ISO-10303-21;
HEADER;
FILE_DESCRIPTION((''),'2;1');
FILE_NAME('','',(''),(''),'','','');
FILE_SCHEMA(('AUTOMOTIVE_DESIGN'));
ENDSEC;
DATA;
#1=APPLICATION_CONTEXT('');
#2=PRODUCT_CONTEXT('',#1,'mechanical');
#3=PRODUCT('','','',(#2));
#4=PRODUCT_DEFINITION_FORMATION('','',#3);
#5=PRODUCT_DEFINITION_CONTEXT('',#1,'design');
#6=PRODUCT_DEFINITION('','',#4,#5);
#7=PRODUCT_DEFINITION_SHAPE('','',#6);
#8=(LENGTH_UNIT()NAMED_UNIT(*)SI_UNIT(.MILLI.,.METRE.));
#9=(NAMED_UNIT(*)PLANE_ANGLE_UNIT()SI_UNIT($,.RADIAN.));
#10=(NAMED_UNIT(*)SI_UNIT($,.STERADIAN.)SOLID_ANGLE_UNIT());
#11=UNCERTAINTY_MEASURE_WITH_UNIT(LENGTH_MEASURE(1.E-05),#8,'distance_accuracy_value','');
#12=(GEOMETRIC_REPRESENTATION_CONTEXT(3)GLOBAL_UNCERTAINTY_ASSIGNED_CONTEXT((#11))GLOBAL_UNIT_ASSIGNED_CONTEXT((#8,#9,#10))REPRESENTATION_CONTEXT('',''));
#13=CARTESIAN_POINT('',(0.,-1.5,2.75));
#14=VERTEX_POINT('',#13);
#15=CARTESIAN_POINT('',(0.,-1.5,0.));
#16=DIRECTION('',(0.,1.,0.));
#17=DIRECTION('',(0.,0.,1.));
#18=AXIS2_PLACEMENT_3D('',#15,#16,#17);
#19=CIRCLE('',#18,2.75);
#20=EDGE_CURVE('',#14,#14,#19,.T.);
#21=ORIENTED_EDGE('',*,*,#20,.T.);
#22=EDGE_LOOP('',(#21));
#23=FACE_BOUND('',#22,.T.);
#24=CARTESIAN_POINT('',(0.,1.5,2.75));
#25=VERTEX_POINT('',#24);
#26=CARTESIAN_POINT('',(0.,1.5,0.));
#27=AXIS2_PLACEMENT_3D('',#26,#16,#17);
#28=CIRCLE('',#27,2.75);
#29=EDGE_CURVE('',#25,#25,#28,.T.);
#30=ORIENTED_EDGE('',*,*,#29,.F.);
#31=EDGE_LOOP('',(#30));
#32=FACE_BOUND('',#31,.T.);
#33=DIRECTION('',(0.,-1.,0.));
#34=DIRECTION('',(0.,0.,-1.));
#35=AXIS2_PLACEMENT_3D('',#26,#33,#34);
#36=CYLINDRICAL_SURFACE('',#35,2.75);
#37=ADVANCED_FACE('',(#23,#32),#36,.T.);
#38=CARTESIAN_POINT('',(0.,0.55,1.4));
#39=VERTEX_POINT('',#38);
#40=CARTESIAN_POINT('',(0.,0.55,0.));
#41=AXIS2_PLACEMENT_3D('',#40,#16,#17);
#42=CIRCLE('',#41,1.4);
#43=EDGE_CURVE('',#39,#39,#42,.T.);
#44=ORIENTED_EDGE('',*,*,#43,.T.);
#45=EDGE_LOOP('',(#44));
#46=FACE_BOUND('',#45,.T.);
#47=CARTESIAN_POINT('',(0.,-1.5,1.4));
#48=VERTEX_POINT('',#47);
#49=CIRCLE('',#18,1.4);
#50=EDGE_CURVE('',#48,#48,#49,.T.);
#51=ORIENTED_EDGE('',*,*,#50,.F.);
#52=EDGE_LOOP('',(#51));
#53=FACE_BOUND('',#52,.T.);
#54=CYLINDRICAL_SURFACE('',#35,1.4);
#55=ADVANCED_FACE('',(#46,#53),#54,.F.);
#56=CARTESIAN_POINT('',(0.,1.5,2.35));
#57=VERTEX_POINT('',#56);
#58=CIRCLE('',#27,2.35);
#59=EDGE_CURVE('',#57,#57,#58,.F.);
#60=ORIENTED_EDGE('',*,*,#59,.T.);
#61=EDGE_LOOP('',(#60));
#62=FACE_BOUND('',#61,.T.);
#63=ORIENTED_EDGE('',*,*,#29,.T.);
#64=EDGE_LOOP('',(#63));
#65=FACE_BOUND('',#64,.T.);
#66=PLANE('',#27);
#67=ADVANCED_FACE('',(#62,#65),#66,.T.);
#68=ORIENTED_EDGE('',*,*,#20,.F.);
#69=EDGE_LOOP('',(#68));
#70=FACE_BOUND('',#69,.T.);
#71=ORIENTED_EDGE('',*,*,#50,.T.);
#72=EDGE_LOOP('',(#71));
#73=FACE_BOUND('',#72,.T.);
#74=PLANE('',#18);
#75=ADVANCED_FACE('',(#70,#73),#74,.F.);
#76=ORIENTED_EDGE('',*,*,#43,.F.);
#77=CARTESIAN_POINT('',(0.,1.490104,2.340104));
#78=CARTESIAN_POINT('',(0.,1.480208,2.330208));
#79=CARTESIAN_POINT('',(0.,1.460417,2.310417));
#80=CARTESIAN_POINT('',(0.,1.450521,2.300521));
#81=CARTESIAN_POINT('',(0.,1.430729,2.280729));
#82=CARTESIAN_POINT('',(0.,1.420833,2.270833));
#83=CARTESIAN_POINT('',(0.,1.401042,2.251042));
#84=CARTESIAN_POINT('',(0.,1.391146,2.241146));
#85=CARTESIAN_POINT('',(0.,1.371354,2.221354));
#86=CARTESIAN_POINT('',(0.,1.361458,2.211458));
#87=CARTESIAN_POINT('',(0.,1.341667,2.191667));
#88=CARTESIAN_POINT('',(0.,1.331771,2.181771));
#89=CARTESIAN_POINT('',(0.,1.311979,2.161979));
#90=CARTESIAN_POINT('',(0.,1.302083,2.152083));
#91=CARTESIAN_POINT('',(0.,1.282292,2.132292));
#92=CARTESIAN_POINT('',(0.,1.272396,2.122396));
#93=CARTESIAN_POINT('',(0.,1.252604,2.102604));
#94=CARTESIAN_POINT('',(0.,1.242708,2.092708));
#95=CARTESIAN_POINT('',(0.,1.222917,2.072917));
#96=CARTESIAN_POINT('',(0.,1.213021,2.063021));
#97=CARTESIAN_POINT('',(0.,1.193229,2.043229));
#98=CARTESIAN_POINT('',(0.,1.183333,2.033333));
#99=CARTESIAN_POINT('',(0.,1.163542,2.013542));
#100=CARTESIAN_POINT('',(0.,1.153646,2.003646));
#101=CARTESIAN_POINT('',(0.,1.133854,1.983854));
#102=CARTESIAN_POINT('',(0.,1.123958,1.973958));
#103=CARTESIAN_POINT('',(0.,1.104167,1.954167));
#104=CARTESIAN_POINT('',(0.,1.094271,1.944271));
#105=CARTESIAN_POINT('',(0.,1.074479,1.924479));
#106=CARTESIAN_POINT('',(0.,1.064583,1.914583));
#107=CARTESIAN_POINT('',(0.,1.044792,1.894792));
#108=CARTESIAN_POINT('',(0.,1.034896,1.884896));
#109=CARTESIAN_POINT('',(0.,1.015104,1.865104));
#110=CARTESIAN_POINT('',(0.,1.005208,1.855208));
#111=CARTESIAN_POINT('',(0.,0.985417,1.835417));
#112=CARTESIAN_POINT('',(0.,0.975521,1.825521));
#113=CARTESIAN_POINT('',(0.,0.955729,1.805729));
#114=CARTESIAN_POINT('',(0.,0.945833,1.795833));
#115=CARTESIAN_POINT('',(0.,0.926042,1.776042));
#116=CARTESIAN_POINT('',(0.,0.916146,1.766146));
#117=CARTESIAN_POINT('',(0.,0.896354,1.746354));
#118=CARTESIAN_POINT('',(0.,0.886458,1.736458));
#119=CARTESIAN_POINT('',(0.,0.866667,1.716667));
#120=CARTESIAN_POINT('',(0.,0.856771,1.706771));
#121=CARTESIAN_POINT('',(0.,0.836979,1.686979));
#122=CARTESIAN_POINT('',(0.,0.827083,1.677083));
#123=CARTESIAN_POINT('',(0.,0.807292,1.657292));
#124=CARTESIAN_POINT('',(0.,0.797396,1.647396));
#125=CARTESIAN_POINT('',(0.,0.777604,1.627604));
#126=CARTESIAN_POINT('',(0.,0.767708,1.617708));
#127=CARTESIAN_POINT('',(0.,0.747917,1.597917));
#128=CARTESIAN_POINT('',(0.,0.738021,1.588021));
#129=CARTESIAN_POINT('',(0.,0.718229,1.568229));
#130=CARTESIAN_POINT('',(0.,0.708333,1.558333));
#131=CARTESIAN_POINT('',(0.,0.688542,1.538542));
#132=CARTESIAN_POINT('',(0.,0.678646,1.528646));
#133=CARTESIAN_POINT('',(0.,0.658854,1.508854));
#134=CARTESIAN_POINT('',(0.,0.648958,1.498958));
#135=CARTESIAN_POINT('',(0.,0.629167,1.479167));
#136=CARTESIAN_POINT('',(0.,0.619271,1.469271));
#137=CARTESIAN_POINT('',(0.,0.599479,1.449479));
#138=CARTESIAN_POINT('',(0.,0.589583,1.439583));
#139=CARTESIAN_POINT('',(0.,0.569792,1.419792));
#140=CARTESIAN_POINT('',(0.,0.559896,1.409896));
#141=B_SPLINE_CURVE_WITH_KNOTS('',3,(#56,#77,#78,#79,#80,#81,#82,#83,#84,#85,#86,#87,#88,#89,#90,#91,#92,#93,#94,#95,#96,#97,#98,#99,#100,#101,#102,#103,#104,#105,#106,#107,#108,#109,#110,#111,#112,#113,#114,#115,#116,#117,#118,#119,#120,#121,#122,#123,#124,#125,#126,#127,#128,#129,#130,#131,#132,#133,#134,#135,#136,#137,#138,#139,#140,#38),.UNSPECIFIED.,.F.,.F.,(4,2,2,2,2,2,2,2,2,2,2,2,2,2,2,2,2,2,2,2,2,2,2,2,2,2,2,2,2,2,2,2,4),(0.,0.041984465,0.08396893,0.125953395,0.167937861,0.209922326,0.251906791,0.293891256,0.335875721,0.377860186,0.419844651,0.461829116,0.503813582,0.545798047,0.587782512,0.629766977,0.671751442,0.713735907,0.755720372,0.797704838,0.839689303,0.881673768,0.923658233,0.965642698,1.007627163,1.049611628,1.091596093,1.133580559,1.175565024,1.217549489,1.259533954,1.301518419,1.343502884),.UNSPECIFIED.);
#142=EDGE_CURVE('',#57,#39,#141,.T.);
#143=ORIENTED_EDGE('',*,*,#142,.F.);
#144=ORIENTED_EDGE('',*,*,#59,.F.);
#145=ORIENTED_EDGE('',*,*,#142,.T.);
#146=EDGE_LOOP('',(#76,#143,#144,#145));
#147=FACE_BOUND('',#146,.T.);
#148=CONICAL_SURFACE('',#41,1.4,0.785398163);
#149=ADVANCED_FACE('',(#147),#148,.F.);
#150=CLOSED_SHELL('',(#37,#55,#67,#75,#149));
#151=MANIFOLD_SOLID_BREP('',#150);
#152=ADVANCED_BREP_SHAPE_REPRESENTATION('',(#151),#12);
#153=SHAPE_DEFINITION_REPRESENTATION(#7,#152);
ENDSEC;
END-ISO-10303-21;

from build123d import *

# Parameters (mm, degrees)
SKETCH1_R           = 2.75
SKETCH1_R_2         = 1.4
BOSS_EXTRUDE1_DEPTH = 1.5
CHAMFER1_SIZE       = 0.95


with BuildPart() as part:
    # Sketch1 → Boss-Extrude1 (new, symmetric)
    with BuildSketch(Plane(origin=(0, 0, 0), x_dir=(1, 0, 0), z_dir=(0, 1, 0))):
        with Locations(Location((0, 0, 0), (0, 0, 270))):
            Circle(SKETCH1_R)
        with Locations(Location((0, 0, 0), (0, 0, 270))):
            Circle(SKETCH1_R_2, mode=Mode.SUBTRACT)
    extrude(amount=BOSS_EXTRUDE1_DEPTH, both=True)

    # Chamfer1
    chamfer1_edges = [part.edges().sort_by_distance(p)[0] for p in [
        (0, 1.5, -1.4),
    ]]
    chamfer(chamfer1_edges, length=CHAMFER1_SIZE)


solid = part.part
